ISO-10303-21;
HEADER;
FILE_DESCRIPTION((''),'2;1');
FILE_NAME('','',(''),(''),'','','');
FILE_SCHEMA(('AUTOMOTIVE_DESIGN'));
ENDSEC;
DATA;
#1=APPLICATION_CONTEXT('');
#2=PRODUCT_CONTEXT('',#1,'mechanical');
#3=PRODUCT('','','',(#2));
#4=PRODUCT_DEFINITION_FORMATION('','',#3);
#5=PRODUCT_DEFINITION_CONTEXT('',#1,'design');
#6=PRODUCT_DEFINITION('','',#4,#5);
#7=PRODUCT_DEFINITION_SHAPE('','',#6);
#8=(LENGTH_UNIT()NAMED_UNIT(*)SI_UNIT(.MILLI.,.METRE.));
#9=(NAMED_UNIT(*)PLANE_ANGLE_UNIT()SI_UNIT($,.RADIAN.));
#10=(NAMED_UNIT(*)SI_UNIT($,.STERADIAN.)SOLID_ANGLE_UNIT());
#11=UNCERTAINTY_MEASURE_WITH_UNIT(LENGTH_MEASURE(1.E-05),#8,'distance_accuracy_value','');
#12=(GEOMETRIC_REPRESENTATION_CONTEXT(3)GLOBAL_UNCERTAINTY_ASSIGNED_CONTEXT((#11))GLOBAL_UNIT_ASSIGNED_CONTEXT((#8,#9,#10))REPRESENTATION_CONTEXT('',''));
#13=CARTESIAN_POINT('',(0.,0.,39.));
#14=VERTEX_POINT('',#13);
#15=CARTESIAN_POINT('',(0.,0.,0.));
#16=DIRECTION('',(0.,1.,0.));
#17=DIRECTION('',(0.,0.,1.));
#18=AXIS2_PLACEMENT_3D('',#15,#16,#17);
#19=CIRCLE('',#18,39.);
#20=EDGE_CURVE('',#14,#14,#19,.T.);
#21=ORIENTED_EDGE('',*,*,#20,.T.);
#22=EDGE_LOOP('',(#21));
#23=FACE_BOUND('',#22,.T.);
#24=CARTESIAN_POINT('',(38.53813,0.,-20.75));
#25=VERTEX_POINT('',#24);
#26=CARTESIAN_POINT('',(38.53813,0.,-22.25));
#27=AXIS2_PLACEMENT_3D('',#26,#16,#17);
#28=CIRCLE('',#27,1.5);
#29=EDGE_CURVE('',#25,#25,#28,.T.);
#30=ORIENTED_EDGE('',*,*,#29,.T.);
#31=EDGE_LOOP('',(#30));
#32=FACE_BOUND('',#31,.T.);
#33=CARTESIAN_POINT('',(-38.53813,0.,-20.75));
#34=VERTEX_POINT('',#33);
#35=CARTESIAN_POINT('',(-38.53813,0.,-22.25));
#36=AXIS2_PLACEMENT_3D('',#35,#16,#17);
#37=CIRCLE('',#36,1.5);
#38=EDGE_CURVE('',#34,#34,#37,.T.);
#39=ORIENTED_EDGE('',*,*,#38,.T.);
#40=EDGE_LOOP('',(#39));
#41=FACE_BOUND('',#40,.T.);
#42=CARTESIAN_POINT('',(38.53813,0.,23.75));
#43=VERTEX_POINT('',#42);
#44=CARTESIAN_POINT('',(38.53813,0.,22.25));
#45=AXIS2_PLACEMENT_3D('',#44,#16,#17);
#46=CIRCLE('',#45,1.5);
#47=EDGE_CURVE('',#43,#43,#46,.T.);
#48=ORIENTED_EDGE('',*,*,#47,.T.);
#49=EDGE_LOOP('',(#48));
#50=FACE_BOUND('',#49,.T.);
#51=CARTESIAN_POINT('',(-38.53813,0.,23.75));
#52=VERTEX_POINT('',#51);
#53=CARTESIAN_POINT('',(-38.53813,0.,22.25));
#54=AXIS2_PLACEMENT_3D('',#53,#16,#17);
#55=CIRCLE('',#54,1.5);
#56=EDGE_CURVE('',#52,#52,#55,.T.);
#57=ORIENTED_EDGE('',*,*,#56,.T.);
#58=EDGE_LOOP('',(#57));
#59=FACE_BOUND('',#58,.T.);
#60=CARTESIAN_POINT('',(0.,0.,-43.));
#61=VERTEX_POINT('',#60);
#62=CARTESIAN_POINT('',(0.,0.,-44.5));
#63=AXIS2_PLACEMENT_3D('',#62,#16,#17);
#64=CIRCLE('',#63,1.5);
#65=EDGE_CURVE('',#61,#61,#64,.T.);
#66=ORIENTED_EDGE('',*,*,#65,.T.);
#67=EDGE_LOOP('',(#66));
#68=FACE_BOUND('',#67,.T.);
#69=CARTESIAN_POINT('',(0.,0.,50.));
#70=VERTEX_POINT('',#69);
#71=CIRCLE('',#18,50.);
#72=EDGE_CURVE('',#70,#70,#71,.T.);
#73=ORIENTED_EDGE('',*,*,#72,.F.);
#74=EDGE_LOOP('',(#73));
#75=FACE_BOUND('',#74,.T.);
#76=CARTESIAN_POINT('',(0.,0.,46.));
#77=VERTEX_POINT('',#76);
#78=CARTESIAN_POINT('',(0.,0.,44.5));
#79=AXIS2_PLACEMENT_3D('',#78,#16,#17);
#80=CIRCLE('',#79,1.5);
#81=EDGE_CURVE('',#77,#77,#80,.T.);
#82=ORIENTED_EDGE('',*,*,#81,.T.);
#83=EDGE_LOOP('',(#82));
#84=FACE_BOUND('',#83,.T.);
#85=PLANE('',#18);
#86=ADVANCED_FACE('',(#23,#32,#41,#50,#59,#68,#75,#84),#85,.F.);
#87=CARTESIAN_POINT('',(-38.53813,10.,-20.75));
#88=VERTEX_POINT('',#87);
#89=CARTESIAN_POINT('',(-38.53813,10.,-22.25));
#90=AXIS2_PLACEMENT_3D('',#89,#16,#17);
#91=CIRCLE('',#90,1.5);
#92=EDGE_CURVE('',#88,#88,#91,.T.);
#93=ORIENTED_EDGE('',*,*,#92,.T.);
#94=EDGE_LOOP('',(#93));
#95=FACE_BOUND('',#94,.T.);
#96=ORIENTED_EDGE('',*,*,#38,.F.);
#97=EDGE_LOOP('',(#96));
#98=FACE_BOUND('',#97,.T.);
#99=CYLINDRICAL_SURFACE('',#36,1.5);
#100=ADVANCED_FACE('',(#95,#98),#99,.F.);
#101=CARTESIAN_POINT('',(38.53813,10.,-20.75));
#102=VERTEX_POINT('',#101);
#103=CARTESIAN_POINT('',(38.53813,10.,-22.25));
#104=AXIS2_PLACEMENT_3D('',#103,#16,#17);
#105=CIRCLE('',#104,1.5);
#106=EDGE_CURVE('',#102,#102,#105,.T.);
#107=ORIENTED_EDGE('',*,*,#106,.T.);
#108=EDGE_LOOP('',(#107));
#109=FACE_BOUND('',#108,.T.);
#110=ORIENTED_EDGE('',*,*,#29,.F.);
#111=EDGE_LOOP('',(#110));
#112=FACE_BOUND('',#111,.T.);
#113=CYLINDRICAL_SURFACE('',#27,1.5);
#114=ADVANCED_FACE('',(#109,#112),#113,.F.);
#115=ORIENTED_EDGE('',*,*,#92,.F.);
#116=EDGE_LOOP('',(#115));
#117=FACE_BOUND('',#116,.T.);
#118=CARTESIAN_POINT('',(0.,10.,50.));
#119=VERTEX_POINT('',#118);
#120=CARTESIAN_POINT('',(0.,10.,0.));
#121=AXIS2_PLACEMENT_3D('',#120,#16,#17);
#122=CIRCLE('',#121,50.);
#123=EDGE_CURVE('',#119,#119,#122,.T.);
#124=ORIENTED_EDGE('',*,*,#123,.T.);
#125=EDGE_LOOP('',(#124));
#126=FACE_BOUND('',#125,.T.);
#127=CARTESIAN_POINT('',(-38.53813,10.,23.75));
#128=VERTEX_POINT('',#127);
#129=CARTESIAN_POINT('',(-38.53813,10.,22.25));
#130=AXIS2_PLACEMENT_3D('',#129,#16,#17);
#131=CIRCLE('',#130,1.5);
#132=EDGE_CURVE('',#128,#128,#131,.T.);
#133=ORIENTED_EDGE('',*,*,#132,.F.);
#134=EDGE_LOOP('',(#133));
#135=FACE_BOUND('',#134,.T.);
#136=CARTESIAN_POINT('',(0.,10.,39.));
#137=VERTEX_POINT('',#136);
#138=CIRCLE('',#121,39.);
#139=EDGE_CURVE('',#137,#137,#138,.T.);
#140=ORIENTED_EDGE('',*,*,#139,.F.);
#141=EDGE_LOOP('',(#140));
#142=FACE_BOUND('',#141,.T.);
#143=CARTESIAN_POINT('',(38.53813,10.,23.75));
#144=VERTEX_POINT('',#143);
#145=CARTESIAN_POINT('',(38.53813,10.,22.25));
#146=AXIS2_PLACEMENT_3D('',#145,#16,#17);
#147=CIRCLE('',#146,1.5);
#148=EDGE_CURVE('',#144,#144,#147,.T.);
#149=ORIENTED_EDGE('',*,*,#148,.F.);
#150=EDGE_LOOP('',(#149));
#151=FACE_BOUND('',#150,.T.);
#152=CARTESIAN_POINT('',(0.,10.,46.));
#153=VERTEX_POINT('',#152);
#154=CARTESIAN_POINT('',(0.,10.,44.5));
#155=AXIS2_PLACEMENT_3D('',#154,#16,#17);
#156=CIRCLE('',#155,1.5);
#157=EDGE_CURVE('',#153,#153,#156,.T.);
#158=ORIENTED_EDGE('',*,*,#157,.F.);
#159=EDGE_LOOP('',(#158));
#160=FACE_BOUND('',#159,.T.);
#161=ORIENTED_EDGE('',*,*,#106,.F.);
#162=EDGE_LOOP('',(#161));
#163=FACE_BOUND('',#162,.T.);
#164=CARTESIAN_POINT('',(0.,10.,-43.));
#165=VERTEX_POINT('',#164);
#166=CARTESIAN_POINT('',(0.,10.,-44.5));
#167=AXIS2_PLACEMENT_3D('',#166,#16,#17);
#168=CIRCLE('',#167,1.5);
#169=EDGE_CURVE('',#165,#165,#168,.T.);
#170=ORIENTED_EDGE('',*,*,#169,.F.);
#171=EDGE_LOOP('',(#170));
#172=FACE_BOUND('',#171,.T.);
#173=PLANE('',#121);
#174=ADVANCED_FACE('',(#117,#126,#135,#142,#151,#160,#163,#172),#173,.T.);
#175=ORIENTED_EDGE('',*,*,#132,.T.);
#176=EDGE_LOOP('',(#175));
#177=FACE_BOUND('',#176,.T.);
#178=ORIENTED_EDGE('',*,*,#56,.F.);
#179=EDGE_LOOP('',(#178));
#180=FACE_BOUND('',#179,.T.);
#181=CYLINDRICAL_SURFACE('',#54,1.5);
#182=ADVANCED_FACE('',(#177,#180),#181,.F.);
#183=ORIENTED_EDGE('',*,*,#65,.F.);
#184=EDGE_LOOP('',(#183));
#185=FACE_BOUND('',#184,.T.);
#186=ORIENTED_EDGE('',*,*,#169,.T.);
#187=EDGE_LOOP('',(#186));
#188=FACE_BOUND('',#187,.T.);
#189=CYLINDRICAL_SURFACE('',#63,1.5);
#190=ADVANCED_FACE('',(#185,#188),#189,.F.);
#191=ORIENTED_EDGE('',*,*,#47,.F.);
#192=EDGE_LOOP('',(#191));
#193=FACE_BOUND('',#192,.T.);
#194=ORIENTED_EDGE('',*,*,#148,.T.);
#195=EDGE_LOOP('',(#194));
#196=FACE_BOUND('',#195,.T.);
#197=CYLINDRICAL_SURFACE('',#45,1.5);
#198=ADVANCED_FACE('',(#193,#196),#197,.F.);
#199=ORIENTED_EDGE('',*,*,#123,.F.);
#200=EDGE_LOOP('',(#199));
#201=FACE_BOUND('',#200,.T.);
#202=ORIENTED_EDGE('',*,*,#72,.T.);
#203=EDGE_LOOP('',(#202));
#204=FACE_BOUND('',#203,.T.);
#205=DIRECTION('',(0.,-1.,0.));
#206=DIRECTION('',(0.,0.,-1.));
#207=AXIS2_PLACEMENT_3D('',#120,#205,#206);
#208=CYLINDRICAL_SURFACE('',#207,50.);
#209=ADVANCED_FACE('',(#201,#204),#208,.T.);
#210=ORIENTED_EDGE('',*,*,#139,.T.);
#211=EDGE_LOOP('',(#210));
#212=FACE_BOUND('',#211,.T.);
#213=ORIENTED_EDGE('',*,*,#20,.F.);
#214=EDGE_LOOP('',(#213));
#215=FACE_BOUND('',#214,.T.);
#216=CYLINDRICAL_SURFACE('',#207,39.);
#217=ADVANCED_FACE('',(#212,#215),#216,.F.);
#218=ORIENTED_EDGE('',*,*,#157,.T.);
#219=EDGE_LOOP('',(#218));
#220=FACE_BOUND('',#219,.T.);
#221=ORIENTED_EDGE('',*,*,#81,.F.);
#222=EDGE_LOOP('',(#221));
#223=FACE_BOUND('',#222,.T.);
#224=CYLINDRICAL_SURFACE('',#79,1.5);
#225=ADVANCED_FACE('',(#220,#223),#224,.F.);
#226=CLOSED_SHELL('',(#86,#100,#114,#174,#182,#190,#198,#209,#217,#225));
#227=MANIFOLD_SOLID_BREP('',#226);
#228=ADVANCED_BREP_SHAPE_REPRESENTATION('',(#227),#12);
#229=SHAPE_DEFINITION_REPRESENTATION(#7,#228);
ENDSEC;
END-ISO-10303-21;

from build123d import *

# Parameters (mm, degrees)
SKETCH_1_R          = 50
SKETCH_1_R_2        = 39
EXTRUDE_1_DEPTH     = 10
SKETCH_2_R          = 1.5
CUT_EXTRUDE_1_DEPTH = 10


with BuildPart() as part:
    # 草图1 → 凸台-拉伸1 (new body)
    with BuildSketch(Plane(origin=(0, 0, 0), x_dir=(1, 0, 0), z_dir=(0, 1, 0))):
        with Locations(Location((0, 0, 0), (0, 0, 270))):
            Circle(SKETCH_1_R)
        with Locations(Location((0, 0, 0), (0, 0, 270))):
            Circle(SKETCH_1_R_2, mode=Mode.SUBTRACT)
    extrude(amount=EXTRUDE_1_DEPTH)

    # 草图2 → 切除-拉伸1 (cut)
    with BuildSketch(Plane(origin=(0, 10, 0), x_dir=(1, 0, 0), z_dir=(0, 1, 0))):
        with Locations(Location((0, 44.5, 0), (0, 0, 270))):
            Circle(SKETCH_2_R)
        with Locations(Location((38.538130468, 22.25, 0), (0, 0, 270))):
            Circle(SKETCH_2_R)
        with Locations(Location((38.538130468, -22.25, 0), (0, 0, 270))):
            Circle(SKETCH_2_R)
        with Locations(Location((0, -44.5, 0), (0, 0, 270))):
            Circle(SKETCH_2_R)
        with Locations(Location((-38.538130468, -22.25, 0), (0, 0, 270))):
            Circle(SKETCH_2_R)
        with Locations(Location((-38.538130468, 22.25, 0), (0, 0, 270))):
            Circle(SKETCH_2_R)
    extrude(amount=-CUT_EXTRUDE_1_DEPTH, mode=Mode.SUBTRACT)


solid = part.part
